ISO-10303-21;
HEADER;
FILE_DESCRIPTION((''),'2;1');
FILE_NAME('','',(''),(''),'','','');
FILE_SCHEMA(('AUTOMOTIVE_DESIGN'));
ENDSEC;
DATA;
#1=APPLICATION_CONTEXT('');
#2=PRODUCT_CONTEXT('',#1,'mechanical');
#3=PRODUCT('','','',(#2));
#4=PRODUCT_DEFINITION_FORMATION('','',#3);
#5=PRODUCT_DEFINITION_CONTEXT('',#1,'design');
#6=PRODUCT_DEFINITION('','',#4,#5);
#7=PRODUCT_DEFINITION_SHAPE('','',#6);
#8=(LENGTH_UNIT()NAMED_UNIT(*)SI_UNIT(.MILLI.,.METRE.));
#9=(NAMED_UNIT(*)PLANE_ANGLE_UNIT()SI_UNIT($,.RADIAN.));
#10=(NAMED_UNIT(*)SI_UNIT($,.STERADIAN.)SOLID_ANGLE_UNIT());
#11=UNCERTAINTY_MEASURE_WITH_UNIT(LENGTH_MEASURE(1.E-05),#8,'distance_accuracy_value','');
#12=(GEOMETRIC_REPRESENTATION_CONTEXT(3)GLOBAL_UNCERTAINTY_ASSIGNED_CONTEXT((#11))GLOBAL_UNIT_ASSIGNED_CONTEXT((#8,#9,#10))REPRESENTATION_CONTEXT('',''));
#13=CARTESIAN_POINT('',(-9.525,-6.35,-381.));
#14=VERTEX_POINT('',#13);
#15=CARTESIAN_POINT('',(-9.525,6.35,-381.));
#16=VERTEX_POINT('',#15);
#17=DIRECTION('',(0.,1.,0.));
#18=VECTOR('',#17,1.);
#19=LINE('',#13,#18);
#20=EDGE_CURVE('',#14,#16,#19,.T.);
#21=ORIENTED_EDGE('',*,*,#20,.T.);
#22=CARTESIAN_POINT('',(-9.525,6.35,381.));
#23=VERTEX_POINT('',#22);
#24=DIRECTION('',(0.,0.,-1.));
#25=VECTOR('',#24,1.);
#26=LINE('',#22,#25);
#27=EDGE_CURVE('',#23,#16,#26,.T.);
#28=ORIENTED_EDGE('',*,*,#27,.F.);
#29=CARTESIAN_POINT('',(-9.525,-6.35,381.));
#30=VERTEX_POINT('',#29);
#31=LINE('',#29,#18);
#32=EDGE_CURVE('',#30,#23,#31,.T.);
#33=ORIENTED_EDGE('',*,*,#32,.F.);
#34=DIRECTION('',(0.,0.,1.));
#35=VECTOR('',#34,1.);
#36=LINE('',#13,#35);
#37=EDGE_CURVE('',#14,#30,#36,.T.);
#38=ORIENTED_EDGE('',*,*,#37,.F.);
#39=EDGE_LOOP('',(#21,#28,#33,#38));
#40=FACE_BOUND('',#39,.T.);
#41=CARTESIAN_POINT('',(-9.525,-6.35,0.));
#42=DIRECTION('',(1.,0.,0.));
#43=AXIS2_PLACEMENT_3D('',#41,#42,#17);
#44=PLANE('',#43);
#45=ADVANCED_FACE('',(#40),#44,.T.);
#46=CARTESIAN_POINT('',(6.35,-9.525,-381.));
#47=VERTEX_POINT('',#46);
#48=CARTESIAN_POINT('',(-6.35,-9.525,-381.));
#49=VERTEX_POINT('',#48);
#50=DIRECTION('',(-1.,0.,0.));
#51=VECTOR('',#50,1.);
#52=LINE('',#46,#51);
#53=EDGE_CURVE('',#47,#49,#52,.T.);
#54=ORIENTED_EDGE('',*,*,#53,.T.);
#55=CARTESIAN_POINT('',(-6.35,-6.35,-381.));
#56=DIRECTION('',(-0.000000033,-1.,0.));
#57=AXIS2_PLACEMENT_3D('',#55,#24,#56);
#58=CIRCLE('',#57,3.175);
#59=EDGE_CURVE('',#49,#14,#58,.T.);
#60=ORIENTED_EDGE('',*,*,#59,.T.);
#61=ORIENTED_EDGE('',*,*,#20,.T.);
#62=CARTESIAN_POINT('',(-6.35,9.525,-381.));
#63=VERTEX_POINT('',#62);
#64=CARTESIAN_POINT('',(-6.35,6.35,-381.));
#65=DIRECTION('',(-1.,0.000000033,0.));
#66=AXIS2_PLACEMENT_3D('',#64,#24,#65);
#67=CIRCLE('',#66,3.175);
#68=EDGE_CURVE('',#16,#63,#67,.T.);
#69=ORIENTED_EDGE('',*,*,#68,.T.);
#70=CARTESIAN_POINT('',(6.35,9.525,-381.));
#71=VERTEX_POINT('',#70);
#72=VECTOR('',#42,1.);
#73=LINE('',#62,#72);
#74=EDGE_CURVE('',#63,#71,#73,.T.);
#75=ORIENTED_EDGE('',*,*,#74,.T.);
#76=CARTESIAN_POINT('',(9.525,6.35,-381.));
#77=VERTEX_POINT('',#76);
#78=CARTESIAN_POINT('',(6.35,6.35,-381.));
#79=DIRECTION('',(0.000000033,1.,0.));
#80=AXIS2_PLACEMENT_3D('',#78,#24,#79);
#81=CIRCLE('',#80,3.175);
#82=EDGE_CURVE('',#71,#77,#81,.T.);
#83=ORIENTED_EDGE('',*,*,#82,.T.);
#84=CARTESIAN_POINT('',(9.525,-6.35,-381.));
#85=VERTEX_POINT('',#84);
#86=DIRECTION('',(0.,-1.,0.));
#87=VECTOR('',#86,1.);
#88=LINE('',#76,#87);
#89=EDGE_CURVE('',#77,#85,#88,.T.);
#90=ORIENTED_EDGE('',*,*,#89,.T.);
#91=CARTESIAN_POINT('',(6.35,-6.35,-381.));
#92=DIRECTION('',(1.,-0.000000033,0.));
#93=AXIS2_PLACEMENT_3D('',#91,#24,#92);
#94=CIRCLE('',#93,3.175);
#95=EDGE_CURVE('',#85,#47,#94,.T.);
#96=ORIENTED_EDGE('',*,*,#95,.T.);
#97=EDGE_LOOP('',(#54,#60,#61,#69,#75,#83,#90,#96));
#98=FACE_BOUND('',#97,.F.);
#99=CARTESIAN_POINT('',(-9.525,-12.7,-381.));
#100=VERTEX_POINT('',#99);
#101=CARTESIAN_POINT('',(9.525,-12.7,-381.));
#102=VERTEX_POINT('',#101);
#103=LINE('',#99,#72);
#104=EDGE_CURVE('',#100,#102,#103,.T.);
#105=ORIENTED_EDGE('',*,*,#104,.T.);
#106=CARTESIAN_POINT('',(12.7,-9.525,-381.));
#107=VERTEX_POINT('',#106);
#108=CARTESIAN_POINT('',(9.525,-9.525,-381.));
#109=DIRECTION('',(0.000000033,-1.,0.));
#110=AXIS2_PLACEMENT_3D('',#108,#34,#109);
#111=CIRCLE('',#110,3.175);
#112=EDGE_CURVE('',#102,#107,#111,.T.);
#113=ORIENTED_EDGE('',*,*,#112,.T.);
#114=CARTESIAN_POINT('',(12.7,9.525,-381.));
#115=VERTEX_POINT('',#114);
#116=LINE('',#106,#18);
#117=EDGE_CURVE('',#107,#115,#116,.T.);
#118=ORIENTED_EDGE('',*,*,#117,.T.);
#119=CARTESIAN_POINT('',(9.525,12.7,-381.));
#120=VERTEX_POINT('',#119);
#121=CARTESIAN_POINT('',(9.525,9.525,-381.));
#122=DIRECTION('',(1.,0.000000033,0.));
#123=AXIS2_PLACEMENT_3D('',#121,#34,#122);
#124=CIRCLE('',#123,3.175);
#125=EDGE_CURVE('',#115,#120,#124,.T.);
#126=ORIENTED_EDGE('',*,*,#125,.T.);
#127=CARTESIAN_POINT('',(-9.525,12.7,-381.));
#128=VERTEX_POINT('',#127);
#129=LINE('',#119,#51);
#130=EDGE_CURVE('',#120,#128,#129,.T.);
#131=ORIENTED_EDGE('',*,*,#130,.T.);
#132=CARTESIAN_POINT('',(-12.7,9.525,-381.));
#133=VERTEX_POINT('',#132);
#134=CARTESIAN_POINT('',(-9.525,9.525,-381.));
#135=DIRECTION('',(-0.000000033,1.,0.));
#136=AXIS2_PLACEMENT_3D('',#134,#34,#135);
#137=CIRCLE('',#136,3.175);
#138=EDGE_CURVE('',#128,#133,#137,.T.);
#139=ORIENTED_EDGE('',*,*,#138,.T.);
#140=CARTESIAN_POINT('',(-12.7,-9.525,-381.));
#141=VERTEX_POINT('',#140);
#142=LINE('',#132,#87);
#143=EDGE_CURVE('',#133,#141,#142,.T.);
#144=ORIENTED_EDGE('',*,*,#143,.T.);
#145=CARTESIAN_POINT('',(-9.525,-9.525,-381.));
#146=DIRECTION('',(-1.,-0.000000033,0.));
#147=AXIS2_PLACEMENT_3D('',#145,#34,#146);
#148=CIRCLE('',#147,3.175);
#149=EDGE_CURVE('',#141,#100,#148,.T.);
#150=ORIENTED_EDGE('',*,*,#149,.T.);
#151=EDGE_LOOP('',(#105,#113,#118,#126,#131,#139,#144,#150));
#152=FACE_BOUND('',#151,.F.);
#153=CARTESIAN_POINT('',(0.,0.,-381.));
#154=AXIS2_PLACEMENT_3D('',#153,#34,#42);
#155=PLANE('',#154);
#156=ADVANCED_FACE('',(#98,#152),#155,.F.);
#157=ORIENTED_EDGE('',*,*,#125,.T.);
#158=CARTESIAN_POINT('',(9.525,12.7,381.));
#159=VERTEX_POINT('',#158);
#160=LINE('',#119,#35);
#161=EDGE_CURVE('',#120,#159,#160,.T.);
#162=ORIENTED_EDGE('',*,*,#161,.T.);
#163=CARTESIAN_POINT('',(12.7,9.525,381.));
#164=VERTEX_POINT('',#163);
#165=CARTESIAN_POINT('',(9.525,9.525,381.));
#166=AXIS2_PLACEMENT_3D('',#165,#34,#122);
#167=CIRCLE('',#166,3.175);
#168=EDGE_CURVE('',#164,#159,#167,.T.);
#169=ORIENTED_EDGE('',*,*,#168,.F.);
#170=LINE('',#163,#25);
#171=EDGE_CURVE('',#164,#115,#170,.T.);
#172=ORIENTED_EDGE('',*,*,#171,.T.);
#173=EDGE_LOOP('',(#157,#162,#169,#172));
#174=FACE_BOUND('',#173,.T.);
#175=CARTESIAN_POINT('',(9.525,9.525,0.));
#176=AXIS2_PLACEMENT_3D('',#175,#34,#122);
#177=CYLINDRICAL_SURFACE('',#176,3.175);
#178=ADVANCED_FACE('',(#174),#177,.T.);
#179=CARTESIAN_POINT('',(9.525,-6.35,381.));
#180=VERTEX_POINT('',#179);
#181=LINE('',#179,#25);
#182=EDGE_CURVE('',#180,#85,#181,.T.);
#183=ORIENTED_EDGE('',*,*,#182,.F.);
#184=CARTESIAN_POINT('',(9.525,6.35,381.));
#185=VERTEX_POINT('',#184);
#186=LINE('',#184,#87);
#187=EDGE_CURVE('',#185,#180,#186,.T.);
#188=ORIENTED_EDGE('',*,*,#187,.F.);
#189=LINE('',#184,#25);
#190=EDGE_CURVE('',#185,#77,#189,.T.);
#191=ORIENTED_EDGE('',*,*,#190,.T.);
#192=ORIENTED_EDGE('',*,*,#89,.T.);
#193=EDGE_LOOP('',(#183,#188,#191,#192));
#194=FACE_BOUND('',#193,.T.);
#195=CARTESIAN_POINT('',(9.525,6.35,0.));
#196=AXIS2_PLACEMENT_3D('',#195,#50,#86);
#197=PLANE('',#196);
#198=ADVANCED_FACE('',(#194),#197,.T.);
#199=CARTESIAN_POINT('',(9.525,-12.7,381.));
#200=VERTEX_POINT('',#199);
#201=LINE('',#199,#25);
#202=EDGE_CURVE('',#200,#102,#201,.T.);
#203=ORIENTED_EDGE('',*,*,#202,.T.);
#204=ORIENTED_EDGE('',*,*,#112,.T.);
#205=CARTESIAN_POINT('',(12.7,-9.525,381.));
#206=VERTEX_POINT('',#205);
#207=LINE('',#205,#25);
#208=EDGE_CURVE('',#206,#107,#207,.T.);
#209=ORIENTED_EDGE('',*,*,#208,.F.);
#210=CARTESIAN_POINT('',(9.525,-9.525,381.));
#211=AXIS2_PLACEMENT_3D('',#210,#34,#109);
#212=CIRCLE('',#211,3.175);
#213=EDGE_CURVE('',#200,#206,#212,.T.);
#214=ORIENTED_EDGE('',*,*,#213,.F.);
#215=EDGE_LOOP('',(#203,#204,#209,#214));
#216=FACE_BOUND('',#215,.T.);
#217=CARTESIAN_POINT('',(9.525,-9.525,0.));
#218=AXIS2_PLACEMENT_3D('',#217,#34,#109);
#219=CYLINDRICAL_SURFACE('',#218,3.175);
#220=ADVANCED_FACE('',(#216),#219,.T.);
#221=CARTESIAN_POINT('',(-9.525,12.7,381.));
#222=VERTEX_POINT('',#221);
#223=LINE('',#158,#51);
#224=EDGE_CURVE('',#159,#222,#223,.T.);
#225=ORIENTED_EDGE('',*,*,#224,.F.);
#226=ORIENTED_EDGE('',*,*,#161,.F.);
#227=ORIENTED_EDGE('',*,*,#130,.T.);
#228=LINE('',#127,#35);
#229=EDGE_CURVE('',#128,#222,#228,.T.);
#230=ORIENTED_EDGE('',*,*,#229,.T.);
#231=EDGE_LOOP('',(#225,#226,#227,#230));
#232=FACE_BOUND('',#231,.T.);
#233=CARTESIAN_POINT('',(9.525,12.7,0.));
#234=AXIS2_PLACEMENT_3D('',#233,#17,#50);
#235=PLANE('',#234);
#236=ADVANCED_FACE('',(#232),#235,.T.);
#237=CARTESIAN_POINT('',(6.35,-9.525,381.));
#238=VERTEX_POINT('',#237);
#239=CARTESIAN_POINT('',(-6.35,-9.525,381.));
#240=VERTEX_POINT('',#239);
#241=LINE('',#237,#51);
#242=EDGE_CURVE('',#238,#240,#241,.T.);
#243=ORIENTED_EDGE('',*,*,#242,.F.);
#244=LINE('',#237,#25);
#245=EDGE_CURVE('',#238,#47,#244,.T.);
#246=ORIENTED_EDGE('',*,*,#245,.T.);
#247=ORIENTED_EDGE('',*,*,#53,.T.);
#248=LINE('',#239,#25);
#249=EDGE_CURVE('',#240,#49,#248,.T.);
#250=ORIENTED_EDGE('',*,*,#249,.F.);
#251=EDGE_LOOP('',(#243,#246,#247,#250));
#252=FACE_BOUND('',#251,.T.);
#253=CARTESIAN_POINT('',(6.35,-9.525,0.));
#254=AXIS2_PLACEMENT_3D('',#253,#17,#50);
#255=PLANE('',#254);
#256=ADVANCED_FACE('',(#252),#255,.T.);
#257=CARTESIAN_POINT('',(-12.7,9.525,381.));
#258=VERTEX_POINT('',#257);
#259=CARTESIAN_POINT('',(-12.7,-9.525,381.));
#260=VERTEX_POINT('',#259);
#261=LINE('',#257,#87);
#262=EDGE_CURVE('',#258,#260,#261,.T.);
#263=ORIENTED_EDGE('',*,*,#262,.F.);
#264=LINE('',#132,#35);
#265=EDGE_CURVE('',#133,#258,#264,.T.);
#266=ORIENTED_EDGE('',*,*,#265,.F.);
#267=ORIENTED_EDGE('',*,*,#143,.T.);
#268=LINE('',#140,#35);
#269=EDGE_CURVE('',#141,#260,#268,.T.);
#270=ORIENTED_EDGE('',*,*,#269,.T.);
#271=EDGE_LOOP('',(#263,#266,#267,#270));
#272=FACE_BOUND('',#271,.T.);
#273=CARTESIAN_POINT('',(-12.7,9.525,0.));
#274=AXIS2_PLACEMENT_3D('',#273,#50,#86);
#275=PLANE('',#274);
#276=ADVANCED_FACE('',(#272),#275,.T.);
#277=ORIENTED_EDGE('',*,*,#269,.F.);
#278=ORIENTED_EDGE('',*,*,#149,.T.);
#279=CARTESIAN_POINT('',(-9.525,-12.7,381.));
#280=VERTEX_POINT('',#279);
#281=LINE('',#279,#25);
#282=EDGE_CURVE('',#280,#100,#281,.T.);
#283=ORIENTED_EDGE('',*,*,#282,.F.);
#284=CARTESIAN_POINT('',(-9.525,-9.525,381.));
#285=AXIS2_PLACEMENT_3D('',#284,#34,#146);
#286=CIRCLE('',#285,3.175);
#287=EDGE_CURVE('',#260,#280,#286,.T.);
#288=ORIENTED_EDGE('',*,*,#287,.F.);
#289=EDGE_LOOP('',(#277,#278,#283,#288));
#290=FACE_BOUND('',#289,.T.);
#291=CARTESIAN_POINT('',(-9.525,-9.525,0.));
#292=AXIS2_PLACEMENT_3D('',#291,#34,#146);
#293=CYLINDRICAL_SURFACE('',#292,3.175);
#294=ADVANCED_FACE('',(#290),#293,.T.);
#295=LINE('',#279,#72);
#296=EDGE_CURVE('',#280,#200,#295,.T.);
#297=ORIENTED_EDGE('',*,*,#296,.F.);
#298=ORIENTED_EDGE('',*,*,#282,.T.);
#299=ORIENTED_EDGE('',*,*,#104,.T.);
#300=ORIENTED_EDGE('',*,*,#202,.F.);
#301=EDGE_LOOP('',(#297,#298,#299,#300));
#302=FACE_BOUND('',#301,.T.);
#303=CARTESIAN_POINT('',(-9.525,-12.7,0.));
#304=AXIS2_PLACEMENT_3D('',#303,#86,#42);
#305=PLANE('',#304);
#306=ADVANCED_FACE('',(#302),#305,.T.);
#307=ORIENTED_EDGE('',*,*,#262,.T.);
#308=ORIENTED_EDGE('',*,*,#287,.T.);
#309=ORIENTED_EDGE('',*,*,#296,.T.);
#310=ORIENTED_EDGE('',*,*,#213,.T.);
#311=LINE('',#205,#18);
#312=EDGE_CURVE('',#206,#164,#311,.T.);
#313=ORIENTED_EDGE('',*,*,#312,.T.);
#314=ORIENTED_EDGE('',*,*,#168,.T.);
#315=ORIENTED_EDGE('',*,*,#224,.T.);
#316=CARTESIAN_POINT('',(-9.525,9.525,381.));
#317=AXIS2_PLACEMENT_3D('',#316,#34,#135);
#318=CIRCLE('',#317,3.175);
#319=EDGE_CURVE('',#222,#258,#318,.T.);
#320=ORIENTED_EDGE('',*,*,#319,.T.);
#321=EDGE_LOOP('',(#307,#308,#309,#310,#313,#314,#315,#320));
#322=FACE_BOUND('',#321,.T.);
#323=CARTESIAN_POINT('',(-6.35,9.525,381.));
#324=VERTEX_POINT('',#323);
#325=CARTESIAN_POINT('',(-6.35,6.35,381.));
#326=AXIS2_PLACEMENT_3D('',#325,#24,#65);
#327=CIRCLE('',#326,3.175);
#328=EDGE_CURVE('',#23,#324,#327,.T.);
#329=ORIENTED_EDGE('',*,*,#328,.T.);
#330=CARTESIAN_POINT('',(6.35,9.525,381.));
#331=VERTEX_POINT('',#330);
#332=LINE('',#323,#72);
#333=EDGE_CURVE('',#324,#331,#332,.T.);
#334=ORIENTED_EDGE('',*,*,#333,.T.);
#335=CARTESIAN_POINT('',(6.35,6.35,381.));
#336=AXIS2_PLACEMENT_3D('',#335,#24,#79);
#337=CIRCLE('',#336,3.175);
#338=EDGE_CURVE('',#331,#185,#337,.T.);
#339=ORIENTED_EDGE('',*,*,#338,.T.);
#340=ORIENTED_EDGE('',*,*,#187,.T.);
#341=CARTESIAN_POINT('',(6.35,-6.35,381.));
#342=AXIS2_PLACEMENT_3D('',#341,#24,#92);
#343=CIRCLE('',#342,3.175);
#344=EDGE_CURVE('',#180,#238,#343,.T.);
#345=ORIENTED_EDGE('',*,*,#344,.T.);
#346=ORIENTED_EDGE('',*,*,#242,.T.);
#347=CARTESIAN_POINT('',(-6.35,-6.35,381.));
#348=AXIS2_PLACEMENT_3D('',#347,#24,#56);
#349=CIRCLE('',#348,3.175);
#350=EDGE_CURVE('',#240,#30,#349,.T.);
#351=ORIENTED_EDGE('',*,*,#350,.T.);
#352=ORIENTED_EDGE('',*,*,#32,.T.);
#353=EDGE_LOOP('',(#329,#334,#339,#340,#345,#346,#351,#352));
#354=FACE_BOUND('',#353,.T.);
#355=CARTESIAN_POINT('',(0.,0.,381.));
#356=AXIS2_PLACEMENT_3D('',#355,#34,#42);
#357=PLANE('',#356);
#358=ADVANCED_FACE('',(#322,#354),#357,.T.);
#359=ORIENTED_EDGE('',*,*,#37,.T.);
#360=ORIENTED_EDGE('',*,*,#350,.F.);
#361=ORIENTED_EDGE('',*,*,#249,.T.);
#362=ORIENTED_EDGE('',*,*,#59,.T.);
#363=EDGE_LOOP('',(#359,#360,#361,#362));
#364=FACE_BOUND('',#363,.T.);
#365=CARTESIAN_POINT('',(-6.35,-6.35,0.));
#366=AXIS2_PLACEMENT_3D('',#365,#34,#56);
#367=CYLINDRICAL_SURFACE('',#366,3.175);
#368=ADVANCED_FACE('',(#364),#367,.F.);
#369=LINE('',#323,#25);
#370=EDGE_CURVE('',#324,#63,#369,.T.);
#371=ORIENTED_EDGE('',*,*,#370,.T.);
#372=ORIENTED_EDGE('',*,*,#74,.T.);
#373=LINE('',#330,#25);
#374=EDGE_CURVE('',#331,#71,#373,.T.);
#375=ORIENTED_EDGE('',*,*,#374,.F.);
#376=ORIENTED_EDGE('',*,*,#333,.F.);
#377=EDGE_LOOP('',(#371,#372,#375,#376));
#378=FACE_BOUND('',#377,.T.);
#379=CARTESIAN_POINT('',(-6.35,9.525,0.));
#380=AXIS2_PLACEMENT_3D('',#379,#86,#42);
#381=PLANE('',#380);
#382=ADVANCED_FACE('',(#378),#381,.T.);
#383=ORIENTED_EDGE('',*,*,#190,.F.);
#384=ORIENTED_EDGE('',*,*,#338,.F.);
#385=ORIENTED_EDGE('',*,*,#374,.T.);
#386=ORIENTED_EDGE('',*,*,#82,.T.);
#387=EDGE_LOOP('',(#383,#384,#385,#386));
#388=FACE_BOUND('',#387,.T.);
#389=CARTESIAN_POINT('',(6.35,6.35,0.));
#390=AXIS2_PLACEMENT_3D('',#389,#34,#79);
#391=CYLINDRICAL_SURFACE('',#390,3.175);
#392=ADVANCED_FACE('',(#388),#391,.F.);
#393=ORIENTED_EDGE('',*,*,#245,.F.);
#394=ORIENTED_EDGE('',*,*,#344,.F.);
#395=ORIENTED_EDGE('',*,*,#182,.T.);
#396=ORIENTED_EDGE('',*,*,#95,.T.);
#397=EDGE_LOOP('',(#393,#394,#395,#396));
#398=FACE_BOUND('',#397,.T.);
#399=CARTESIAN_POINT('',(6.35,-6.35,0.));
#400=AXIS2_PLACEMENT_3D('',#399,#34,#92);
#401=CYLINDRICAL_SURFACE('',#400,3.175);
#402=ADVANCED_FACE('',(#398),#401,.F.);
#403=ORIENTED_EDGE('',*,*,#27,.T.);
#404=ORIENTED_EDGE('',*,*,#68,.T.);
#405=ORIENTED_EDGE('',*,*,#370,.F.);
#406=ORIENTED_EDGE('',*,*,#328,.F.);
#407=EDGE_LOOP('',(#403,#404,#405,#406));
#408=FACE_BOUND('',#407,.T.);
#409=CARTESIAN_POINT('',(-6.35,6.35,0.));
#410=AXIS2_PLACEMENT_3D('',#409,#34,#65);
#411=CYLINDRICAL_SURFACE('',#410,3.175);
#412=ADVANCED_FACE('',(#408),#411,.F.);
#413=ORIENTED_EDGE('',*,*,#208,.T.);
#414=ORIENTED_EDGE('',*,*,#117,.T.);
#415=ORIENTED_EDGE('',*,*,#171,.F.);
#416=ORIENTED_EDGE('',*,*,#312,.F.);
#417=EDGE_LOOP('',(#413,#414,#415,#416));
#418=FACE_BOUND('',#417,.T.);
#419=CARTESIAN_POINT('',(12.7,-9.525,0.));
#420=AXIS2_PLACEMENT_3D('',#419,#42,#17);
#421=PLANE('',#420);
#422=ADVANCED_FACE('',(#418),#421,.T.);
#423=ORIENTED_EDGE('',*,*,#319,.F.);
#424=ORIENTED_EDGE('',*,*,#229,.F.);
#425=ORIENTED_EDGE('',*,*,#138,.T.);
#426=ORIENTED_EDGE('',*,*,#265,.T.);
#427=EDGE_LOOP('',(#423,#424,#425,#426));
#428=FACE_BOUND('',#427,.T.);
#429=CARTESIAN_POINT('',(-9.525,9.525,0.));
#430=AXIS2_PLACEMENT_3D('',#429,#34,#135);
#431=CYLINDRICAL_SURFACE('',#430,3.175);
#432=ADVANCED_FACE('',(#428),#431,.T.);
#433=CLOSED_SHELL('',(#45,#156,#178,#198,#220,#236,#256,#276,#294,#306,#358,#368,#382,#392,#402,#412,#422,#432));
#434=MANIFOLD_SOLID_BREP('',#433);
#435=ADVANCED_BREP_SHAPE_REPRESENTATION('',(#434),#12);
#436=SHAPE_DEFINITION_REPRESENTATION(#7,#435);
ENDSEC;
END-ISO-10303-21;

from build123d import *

# Parameters (mm, degrees)
F1_DEPTH      = 381
F1_DEPTH_BACK = 381


with BuildPart() as f1:
    # F0 (on Top) → F1 (new body, two sides)
    with BuildSketch(Plane.XY) as f1_sk:
        with BuildLine():
            ThreePointArc((12.7, 9.525), (11.770064, 11.770064), (9.525, 12.7))
            Line((9.525, 12.7), (-9.525, 12.7))
            ThreePointArc((-9.525, 12.7), (-11.770064, 11.770064), (-12.7, 9.525))
            Line((-12.7, 9.525), (-12.7, -9.525))
            ThreePointArc((-12.7, -9.525), (-11.770064, -11.770064), (-9.525, -12.7))
            Line((-9.525, -12.7), (9.525, -12.7))
            ThreePointArc((9.525, -12.7), (11.770064, -11.770064), (12.7, -9.525))
            Line((12.7, -9.525), (12.7, 9.525))
        make_face()
        with BuildLine():
            Line((-9.525, -6.35), (-9.525, 6.35))
            ThreePointArc((-9.525, 6.35), (-8.595064, 8.595064), (-6.35, 9.525))
            Line((-6.35, 9.525), (6.35, 9.525))
            ThreePointArc((6.35, 9.525), (8.595064, 8.595064), (9.525, 6.35))
            Line((9.525, 6.35), (9.525, -6.35))
            ThreePointArc((9.525, -6.35), (8.595064, -8.595064), (6.35, -9.525))
            Line((6.35, -9.525), (-6.35, -9.525))
            ThreePointArc((-6.35, -9.525), (-8.595064, -8.595064), (-9.525, -6.35))
        make_face(mode=Mode.SUBTRACT)
    extrude(amount=F1_DEPTH)
    extrude(f1_sk.sketch, amount=-F1_DEPTH_BACK)


solid = f1.part
